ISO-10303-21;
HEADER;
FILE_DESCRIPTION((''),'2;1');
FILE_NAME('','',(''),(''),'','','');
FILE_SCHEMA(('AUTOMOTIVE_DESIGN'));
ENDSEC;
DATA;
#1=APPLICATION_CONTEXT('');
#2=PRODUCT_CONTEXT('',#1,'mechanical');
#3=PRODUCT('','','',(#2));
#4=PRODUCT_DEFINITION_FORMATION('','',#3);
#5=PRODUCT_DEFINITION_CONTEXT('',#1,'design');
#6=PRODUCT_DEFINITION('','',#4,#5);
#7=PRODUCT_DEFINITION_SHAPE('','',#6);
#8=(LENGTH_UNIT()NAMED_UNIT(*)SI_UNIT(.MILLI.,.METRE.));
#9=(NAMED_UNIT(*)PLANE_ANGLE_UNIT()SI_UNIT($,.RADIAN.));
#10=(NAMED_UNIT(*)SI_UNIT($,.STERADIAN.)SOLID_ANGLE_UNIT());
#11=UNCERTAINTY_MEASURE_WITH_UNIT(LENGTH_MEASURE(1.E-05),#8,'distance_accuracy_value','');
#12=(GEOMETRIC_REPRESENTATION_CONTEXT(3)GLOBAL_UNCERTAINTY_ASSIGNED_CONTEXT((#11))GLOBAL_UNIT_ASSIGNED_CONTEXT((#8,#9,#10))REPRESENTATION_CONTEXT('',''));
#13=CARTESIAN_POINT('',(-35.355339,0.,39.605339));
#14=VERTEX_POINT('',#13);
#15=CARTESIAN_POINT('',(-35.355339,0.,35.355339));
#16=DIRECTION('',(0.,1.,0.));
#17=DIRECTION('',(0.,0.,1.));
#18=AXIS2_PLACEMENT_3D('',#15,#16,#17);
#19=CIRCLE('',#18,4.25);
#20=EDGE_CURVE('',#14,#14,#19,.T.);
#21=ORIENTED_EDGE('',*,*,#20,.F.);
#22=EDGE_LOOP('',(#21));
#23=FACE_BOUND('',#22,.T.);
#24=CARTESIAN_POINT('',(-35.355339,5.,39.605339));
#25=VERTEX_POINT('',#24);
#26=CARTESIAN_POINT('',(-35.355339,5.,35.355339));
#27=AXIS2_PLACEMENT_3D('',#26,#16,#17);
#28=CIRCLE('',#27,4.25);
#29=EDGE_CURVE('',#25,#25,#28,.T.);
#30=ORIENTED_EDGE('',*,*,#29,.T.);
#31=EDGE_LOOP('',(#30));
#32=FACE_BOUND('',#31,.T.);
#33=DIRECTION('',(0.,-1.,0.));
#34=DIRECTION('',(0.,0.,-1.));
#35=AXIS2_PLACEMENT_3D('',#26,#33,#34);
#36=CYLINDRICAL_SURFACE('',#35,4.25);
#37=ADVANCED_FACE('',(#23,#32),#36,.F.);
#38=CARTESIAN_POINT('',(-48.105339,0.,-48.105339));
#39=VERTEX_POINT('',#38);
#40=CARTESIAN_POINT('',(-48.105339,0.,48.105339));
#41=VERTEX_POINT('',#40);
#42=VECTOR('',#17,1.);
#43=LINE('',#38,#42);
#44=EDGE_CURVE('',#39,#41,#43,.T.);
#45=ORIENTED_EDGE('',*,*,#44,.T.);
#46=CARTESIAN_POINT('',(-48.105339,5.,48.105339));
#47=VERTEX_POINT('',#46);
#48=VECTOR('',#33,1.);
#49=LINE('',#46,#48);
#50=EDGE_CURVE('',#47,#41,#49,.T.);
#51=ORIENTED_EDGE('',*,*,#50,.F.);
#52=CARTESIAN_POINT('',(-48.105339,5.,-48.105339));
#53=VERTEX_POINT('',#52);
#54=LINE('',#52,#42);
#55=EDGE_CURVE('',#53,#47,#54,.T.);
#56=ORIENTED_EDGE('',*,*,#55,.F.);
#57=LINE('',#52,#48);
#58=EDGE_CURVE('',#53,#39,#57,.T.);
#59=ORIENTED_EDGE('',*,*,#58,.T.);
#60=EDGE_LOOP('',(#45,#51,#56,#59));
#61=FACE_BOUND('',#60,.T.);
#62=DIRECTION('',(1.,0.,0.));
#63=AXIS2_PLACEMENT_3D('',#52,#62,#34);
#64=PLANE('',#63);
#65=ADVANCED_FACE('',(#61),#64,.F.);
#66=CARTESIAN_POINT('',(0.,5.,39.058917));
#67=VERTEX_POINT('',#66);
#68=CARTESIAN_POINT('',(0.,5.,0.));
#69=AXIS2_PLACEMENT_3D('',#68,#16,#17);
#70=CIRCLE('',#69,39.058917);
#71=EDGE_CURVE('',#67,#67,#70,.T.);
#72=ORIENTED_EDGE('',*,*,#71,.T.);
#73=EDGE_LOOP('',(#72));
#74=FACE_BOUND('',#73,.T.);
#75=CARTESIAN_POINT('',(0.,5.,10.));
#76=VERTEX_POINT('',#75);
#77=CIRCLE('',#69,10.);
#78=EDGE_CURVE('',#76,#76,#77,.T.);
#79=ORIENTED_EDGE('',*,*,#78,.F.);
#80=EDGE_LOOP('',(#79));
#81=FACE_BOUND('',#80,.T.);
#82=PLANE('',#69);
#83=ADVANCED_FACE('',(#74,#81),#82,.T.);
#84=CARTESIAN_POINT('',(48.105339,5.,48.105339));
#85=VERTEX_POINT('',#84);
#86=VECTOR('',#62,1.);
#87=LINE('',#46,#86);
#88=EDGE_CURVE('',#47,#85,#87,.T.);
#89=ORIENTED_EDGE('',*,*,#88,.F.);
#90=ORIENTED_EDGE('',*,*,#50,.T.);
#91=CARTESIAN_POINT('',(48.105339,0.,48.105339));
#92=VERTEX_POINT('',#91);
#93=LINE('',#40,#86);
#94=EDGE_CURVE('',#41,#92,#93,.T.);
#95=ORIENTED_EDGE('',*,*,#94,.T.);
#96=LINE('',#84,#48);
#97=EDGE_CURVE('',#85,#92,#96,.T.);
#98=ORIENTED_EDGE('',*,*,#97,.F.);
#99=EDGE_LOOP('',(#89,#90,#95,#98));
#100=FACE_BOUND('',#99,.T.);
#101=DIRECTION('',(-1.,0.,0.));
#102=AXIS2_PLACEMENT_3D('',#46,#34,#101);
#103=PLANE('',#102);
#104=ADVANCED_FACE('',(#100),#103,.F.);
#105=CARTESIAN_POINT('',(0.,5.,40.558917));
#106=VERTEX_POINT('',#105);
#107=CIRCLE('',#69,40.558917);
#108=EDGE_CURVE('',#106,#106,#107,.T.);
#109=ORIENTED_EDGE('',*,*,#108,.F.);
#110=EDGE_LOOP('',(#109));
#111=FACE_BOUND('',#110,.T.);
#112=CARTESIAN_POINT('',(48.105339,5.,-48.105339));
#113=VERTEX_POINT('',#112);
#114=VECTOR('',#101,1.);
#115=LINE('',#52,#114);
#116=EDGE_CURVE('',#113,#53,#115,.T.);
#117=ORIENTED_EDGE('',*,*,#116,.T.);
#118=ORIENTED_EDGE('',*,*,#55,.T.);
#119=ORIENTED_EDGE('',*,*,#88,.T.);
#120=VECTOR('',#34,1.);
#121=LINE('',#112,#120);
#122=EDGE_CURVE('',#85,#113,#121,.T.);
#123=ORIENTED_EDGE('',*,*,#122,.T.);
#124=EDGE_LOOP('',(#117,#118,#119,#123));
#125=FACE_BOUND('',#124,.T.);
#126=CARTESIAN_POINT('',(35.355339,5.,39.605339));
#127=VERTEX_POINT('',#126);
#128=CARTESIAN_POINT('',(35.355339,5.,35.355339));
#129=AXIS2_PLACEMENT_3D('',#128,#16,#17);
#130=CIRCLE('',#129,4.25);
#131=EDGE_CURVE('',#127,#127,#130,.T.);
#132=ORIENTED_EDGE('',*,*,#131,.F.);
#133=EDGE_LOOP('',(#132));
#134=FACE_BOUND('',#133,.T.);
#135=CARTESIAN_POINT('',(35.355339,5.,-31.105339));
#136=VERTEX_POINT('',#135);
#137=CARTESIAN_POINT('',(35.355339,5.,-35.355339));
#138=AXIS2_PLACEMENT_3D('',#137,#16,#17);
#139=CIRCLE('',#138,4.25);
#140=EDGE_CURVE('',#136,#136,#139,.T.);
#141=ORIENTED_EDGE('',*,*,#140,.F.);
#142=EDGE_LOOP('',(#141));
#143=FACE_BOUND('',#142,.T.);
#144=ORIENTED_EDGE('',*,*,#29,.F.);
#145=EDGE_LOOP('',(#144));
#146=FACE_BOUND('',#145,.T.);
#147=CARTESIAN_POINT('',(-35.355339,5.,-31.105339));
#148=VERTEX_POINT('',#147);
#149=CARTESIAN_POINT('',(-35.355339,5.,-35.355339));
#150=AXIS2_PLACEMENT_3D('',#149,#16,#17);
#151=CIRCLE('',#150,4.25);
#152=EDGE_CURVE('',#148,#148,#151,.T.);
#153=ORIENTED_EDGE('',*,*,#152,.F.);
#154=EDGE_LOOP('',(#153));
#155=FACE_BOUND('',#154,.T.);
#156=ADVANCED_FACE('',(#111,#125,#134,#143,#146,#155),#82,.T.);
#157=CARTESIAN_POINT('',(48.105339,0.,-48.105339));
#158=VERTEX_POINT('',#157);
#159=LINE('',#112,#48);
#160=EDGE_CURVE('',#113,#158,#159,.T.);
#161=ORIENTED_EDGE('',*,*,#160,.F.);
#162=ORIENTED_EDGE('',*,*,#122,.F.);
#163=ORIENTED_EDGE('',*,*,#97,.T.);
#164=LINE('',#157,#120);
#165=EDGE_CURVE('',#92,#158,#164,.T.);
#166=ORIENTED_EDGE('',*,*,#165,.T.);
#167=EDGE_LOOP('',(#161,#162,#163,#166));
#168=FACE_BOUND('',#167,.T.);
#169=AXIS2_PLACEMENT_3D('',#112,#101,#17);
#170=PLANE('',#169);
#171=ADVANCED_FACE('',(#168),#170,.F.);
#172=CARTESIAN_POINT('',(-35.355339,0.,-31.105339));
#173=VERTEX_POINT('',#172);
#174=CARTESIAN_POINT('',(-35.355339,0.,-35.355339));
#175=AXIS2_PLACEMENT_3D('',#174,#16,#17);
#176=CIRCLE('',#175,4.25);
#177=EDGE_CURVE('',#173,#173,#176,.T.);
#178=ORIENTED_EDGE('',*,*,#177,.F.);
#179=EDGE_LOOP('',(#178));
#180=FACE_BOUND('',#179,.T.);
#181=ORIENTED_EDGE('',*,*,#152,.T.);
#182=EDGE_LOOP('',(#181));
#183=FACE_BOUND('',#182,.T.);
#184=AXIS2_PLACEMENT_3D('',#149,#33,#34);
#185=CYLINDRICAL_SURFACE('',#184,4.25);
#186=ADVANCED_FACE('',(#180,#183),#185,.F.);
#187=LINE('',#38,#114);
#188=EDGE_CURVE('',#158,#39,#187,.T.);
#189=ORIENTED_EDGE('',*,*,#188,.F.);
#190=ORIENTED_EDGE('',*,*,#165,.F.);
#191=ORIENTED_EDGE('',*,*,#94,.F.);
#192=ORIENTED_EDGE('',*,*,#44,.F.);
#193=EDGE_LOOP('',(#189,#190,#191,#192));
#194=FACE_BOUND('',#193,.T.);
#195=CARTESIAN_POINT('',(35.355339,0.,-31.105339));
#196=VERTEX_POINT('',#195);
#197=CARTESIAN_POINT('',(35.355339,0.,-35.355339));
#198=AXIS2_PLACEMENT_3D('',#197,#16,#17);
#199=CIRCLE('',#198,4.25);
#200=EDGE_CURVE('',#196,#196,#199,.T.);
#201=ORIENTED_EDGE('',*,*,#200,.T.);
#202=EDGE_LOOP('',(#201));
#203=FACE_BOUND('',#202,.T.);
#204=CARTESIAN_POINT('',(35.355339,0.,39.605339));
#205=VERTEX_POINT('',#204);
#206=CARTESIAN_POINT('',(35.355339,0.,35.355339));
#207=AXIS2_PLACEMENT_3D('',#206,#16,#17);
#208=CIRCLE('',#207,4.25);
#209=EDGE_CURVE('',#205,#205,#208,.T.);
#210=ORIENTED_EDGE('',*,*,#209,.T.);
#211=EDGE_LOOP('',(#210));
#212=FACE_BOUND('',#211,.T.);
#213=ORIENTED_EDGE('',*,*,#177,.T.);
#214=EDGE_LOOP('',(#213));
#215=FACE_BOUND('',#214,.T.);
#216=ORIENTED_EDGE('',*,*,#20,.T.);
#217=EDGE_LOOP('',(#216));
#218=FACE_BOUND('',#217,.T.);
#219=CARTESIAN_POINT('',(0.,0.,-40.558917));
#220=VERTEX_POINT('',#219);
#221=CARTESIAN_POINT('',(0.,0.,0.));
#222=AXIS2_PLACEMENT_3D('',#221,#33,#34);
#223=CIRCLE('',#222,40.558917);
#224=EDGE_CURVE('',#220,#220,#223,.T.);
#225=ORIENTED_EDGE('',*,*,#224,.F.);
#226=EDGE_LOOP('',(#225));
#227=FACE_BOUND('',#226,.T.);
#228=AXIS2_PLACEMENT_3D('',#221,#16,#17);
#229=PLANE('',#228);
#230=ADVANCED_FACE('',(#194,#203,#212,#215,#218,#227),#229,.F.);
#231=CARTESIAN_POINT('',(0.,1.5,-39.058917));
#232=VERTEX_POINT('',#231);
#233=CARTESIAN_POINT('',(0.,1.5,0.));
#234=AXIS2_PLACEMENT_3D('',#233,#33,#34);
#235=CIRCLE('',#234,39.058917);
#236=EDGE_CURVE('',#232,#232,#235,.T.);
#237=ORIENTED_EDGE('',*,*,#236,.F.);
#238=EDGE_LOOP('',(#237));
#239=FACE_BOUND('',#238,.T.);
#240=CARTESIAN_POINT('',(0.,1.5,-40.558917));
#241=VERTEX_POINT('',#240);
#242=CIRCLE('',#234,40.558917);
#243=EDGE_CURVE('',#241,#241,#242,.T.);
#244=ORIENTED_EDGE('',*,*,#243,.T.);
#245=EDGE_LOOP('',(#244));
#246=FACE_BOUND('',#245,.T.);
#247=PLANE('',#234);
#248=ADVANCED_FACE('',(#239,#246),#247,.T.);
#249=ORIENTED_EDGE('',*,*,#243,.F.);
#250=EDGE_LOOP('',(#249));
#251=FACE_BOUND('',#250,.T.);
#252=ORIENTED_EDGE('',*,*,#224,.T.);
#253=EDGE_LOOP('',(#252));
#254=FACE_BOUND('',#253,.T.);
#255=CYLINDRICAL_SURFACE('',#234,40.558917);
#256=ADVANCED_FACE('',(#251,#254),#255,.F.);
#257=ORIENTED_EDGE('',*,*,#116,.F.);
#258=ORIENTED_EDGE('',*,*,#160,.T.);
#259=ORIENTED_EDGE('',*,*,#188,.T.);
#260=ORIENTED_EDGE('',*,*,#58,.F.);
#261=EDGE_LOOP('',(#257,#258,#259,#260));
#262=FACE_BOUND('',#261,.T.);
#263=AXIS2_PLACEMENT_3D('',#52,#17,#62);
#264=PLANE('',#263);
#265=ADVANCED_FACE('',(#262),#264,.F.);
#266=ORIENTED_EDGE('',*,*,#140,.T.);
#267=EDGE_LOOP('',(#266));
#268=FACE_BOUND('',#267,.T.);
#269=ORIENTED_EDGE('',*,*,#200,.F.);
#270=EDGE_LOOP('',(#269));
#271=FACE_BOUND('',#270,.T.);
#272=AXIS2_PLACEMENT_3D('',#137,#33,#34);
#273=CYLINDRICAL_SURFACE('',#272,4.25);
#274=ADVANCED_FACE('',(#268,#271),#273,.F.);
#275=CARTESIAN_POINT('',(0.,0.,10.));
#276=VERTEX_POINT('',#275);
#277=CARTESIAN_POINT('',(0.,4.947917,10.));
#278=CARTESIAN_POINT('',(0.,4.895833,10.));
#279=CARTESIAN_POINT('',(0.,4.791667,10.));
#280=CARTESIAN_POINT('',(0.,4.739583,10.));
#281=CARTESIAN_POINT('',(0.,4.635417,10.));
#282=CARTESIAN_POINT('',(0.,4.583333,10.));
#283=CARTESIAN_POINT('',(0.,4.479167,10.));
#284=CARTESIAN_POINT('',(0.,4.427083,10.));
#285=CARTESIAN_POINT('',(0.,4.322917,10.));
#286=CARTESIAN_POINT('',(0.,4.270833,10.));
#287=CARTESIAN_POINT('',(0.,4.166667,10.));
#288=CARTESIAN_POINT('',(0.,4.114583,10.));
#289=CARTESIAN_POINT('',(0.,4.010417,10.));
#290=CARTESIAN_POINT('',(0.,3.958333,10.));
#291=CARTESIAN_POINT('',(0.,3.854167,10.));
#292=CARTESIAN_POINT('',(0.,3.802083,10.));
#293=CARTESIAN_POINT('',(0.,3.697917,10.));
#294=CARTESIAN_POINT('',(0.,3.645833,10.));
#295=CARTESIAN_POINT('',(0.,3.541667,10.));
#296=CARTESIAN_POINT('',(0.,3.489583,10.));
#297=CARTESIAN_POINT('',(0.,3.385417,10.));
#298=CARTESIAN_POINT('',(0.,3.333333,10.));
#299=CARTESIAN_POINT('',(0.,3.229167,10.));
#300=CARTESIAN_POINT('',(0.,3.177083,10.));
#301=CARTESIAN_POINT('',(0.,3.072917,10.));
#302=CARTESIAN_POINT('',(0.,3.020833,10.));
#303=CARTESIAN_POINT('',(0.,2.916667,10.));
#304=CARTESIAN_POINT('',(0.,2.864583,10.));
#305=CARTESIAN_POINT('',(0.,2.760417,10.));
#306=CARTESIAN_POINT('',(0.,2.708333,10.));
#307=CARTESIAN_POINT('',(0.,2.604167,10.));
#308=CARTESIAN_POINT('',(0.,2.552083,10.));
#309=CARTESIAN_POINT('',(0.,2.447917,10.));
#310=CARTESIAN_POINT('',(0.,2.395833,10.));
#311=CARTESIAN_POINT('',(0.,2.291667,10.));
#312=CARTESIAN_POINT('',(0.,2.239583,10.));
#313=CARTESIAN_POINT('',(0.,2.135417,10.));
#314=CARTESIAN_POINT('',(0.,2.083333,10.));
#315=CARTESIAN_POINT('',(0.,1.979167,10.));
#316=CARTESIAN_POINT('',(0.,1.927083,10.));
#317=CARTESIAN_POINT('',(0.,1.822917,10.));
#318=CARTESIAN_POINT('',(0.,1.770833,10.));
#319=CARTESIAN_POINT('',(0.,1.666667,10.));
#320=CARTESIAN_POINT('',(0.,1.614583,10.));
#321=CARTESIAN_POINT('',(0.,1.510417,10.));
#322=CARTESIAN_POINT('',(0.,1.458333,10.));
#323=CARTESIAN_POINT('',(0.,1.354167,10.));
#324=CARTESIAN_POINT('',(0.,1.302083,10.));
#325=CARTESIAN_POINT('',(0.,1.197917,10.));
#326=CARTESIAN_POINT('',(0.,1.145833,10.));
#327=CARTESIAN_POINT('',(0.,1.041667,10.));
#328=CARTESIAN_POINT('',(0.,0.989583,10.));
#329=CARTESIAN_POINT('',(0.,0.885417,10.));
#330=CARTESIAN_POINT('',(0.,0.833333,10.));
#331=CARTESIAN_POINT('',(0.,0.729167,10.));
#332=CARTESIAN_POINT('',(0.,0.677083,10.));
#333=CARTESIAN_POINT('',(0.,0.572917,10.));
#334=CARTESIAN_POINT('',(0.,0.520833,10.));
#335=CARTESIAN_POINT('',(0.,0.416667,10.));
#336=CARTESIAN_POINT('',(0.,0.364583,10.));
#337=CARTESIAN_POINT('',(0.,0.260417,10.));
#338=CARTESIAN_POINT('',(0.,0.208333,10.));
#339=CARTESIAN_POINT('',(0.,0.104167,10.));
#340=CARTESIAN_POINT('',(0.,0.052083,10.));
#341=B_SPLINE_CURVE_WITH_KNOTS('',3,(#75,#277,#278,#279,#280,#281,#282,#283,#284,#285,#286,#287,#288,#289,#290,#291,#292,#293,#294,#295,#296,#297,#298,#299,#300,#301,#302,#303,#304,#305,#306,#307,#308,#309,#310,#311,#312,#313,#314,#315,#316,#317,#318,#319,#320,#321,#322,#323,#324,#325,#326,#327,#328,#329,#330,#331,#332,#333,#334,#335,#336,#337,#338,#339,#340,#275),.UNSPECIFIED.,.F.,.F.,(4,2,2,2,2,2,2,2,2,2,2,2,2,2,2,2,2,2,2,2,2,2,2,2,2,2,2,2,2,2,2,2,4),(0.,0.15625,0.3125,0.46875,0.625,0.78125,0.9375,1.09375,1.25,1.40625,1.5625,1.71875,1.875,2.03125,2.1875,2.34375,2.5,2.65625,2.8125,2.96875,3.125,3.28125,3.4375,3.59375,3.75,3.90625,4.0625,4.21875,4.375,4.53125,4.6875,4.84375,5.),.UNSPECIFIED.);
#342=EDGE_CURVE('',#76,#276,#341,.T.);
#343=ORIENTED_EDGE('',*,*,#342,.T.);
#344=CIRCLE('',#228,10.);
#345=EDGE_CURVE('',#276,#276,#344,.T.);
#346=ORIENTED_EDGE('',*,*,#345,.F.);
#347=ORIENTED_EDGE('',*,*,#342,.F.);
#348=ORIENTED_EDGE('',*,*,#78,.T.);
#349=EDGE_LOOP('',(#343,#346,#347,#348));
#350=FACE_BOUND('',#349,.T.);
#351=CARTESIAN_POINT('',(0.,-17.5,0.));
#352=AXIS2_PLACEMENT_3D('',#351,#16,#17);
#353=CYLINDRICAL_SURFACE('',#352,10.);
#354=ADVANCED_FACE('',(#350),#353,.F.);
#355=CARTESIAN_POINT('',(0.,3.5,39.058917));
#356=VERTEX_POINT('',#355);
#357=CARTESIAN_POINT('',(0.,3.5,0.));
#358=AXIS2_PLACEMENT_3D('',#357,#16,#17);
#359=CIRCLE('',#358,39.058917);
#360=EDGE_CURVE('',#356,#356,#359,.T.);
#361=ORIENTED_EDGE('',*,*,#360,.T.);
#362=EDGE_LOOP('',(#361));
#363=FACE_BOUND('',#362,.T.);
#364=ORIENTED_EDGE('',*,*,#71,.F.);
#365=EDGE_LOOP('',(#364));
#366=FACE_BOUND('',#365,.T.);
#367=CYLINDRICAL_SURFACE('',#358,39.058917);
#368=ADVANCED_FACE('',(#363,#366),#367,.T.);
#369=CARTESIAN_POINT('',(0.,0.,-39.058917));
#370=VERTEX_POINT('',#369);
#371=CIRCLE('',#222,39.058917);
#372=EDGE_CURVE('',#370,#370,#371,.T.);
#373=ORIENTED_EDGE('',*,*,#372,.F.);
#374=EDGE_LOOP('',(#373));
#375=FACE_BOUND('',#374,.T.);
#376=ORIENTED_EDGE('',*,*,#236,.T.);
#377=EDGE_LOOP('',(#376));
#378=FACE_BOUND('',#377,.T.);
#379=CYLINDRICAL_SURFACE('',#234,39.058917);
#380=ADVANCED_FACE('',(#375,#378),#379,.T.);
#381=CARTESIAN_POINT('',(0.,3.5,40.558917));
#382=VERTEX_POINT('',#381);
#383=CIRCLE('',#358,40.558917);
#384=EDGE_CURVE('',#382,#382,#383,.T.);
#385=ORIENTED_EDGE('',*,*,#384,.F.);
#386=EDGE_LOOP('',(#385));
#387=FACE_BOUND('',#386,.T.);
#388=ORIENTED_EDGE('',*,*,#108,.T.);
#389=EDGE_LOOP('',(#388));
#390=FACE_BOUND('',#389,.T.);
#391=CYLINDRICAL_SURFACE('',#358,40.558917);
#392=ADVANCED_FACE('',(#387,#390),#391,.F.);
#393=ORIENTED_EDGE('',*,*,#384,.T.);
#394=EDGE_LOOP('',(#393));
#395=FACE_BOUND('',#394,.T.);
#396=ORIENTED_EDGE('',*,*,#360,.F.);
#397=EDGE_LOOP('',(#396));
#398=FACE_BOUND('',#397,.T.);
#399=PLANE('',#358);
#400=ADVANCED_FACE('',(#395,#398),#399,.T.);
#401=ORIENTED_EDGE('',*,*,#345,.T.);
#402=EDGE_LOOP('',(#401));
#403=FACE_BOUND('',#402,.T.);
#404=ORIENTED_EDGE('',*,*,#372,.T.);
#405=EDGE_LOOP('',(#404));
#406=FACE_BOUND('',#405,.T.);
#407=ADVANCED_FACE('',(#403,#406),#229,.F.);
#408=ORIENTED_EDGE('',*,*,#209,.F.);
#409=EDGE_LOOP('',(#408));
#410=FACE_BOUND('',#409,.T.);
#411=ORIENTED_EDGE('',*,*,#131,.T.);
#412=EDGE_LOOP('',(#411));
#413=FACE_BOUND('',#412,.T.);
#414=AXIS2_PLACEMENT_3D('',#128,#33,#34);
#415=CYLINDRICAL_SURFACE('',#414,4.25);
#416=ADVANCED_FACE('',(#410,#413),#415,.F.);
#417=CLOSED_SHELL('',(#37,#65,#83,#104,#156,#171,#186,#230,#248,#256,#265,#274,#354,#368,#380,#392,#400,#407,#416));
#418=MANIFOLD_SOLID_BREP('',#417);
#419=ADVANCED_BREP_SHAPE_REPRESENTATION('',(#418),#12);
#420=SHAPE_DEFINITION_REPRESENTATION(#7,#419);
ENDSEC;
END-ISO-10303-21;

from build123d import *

# Parameters (mm, degrees)
SKETCH1_W                           = 96.210678118
SKETCH1_H                           = 96.210678118
SKETCH1_R                           = 4.25
BODY_EXTRUSION_AND_BOLT_HOLES_DEPTH = 5
SKETCH3_R                           = 10
CENTER_BORE_DEPTH                   = 22.5
SKETCH4_R                           = 40.558917197
SKETCH4_R_2                         = 39.058917197
O_RING_GROOVE_DEPTH                 = 1.5
CUT_EXTRUDE2_START                  = -1.5
SKETCH6_R                           = 40.558917197
SKETCH6_R_2                         = 39.058917197
CUT_EXTRUDE2_DEPTH                  = 1.5


with BuildPart() as part:
    # Sketch1 → body extrusion and bolt holes (new body)
    with BuildSketch(Plane(origin=(0, 0, 0), x_dir=(1, 0, 0), z_dir=(0, 1, 0))):
        Rectangle(SKETCH1_W, SKETCH1_H)
        with Locations(Location((-35.355339059, 35.355339059, 0), (0, 0, 270))):
            Circle(SKETCH1_R, mode=Mode.SUBTRACT)
        with Locations(Location((35.355339059, 35.355339059, 0), (0, 0, 270))):
            Circle(SKETCH1_R, mode=Mode.SUBTRACT)
        with Locations(Location((35.355339059, -35.355339059, 0), (0, 0, 270))):
            Circle(SKETCH1_R, mode=Mode.SUBTRACT)
        with Locations(Location((-35.355339059, -35.355339059, 0), (0, 0, 270))):
            Circle(SKETCH1_R, mode=Mode.SUBTRACT)
    extrude(amount=BODY_EXTRUSION_AND_BOLT_HOLES_DEPTH)

    # Sketch3 → center bore (cut)
    with BuildSketch(Plane(origin=(0, 5, 0), x_dir=(1, 0, 0), z_dir=(0, 1, 0))):
        with Locations(Location((0, 0, 0), (0, 0, 270))):
            Circle(SKETCH3_R)
    extrude(amount=-CENTER_BORE_DEPTH, mode=Mode.SUBTRACT)

    # Sketch4 → o-ring groove (cut)
    with BuildSketch(Plane(origin=(0, 5, 0), x_dir=(1, 0, 0), z_dir=(0, 1, 0))):
        with Locations(Location((0, 0, 0), (0, 0, 270))):
            Circle(SKETCH4_R)
        with Locations(Location((0, 0, 0), (0, 0, 270))):
            Circle(SKETCH4_R_2, mode=Mode.SUBTRACT)
    extrude(amount=-O_RING_GROOVE_DEPTH, mode=Mode.SUBTRACT)

    # Sketch6 → Cut-Extrude2 (cut)
    with BuildSketch(Plane.XZ.offset(CUT_EXTRUDE2_START)):
        with Locations(Location((0, 0, 0), (0, 0, 90))):
            Circle(SKETCH6_R)
        with Locations(Location((0, 0, 0), (0, 0, 90))):
            Circle(SKETCH6_R_2, mode=Mode.SUBTRACT)
    extrude(amount=CUT_EXTRUDE2_DEPTH, mode=Mode.SUBTRACT)


solid = part.part
